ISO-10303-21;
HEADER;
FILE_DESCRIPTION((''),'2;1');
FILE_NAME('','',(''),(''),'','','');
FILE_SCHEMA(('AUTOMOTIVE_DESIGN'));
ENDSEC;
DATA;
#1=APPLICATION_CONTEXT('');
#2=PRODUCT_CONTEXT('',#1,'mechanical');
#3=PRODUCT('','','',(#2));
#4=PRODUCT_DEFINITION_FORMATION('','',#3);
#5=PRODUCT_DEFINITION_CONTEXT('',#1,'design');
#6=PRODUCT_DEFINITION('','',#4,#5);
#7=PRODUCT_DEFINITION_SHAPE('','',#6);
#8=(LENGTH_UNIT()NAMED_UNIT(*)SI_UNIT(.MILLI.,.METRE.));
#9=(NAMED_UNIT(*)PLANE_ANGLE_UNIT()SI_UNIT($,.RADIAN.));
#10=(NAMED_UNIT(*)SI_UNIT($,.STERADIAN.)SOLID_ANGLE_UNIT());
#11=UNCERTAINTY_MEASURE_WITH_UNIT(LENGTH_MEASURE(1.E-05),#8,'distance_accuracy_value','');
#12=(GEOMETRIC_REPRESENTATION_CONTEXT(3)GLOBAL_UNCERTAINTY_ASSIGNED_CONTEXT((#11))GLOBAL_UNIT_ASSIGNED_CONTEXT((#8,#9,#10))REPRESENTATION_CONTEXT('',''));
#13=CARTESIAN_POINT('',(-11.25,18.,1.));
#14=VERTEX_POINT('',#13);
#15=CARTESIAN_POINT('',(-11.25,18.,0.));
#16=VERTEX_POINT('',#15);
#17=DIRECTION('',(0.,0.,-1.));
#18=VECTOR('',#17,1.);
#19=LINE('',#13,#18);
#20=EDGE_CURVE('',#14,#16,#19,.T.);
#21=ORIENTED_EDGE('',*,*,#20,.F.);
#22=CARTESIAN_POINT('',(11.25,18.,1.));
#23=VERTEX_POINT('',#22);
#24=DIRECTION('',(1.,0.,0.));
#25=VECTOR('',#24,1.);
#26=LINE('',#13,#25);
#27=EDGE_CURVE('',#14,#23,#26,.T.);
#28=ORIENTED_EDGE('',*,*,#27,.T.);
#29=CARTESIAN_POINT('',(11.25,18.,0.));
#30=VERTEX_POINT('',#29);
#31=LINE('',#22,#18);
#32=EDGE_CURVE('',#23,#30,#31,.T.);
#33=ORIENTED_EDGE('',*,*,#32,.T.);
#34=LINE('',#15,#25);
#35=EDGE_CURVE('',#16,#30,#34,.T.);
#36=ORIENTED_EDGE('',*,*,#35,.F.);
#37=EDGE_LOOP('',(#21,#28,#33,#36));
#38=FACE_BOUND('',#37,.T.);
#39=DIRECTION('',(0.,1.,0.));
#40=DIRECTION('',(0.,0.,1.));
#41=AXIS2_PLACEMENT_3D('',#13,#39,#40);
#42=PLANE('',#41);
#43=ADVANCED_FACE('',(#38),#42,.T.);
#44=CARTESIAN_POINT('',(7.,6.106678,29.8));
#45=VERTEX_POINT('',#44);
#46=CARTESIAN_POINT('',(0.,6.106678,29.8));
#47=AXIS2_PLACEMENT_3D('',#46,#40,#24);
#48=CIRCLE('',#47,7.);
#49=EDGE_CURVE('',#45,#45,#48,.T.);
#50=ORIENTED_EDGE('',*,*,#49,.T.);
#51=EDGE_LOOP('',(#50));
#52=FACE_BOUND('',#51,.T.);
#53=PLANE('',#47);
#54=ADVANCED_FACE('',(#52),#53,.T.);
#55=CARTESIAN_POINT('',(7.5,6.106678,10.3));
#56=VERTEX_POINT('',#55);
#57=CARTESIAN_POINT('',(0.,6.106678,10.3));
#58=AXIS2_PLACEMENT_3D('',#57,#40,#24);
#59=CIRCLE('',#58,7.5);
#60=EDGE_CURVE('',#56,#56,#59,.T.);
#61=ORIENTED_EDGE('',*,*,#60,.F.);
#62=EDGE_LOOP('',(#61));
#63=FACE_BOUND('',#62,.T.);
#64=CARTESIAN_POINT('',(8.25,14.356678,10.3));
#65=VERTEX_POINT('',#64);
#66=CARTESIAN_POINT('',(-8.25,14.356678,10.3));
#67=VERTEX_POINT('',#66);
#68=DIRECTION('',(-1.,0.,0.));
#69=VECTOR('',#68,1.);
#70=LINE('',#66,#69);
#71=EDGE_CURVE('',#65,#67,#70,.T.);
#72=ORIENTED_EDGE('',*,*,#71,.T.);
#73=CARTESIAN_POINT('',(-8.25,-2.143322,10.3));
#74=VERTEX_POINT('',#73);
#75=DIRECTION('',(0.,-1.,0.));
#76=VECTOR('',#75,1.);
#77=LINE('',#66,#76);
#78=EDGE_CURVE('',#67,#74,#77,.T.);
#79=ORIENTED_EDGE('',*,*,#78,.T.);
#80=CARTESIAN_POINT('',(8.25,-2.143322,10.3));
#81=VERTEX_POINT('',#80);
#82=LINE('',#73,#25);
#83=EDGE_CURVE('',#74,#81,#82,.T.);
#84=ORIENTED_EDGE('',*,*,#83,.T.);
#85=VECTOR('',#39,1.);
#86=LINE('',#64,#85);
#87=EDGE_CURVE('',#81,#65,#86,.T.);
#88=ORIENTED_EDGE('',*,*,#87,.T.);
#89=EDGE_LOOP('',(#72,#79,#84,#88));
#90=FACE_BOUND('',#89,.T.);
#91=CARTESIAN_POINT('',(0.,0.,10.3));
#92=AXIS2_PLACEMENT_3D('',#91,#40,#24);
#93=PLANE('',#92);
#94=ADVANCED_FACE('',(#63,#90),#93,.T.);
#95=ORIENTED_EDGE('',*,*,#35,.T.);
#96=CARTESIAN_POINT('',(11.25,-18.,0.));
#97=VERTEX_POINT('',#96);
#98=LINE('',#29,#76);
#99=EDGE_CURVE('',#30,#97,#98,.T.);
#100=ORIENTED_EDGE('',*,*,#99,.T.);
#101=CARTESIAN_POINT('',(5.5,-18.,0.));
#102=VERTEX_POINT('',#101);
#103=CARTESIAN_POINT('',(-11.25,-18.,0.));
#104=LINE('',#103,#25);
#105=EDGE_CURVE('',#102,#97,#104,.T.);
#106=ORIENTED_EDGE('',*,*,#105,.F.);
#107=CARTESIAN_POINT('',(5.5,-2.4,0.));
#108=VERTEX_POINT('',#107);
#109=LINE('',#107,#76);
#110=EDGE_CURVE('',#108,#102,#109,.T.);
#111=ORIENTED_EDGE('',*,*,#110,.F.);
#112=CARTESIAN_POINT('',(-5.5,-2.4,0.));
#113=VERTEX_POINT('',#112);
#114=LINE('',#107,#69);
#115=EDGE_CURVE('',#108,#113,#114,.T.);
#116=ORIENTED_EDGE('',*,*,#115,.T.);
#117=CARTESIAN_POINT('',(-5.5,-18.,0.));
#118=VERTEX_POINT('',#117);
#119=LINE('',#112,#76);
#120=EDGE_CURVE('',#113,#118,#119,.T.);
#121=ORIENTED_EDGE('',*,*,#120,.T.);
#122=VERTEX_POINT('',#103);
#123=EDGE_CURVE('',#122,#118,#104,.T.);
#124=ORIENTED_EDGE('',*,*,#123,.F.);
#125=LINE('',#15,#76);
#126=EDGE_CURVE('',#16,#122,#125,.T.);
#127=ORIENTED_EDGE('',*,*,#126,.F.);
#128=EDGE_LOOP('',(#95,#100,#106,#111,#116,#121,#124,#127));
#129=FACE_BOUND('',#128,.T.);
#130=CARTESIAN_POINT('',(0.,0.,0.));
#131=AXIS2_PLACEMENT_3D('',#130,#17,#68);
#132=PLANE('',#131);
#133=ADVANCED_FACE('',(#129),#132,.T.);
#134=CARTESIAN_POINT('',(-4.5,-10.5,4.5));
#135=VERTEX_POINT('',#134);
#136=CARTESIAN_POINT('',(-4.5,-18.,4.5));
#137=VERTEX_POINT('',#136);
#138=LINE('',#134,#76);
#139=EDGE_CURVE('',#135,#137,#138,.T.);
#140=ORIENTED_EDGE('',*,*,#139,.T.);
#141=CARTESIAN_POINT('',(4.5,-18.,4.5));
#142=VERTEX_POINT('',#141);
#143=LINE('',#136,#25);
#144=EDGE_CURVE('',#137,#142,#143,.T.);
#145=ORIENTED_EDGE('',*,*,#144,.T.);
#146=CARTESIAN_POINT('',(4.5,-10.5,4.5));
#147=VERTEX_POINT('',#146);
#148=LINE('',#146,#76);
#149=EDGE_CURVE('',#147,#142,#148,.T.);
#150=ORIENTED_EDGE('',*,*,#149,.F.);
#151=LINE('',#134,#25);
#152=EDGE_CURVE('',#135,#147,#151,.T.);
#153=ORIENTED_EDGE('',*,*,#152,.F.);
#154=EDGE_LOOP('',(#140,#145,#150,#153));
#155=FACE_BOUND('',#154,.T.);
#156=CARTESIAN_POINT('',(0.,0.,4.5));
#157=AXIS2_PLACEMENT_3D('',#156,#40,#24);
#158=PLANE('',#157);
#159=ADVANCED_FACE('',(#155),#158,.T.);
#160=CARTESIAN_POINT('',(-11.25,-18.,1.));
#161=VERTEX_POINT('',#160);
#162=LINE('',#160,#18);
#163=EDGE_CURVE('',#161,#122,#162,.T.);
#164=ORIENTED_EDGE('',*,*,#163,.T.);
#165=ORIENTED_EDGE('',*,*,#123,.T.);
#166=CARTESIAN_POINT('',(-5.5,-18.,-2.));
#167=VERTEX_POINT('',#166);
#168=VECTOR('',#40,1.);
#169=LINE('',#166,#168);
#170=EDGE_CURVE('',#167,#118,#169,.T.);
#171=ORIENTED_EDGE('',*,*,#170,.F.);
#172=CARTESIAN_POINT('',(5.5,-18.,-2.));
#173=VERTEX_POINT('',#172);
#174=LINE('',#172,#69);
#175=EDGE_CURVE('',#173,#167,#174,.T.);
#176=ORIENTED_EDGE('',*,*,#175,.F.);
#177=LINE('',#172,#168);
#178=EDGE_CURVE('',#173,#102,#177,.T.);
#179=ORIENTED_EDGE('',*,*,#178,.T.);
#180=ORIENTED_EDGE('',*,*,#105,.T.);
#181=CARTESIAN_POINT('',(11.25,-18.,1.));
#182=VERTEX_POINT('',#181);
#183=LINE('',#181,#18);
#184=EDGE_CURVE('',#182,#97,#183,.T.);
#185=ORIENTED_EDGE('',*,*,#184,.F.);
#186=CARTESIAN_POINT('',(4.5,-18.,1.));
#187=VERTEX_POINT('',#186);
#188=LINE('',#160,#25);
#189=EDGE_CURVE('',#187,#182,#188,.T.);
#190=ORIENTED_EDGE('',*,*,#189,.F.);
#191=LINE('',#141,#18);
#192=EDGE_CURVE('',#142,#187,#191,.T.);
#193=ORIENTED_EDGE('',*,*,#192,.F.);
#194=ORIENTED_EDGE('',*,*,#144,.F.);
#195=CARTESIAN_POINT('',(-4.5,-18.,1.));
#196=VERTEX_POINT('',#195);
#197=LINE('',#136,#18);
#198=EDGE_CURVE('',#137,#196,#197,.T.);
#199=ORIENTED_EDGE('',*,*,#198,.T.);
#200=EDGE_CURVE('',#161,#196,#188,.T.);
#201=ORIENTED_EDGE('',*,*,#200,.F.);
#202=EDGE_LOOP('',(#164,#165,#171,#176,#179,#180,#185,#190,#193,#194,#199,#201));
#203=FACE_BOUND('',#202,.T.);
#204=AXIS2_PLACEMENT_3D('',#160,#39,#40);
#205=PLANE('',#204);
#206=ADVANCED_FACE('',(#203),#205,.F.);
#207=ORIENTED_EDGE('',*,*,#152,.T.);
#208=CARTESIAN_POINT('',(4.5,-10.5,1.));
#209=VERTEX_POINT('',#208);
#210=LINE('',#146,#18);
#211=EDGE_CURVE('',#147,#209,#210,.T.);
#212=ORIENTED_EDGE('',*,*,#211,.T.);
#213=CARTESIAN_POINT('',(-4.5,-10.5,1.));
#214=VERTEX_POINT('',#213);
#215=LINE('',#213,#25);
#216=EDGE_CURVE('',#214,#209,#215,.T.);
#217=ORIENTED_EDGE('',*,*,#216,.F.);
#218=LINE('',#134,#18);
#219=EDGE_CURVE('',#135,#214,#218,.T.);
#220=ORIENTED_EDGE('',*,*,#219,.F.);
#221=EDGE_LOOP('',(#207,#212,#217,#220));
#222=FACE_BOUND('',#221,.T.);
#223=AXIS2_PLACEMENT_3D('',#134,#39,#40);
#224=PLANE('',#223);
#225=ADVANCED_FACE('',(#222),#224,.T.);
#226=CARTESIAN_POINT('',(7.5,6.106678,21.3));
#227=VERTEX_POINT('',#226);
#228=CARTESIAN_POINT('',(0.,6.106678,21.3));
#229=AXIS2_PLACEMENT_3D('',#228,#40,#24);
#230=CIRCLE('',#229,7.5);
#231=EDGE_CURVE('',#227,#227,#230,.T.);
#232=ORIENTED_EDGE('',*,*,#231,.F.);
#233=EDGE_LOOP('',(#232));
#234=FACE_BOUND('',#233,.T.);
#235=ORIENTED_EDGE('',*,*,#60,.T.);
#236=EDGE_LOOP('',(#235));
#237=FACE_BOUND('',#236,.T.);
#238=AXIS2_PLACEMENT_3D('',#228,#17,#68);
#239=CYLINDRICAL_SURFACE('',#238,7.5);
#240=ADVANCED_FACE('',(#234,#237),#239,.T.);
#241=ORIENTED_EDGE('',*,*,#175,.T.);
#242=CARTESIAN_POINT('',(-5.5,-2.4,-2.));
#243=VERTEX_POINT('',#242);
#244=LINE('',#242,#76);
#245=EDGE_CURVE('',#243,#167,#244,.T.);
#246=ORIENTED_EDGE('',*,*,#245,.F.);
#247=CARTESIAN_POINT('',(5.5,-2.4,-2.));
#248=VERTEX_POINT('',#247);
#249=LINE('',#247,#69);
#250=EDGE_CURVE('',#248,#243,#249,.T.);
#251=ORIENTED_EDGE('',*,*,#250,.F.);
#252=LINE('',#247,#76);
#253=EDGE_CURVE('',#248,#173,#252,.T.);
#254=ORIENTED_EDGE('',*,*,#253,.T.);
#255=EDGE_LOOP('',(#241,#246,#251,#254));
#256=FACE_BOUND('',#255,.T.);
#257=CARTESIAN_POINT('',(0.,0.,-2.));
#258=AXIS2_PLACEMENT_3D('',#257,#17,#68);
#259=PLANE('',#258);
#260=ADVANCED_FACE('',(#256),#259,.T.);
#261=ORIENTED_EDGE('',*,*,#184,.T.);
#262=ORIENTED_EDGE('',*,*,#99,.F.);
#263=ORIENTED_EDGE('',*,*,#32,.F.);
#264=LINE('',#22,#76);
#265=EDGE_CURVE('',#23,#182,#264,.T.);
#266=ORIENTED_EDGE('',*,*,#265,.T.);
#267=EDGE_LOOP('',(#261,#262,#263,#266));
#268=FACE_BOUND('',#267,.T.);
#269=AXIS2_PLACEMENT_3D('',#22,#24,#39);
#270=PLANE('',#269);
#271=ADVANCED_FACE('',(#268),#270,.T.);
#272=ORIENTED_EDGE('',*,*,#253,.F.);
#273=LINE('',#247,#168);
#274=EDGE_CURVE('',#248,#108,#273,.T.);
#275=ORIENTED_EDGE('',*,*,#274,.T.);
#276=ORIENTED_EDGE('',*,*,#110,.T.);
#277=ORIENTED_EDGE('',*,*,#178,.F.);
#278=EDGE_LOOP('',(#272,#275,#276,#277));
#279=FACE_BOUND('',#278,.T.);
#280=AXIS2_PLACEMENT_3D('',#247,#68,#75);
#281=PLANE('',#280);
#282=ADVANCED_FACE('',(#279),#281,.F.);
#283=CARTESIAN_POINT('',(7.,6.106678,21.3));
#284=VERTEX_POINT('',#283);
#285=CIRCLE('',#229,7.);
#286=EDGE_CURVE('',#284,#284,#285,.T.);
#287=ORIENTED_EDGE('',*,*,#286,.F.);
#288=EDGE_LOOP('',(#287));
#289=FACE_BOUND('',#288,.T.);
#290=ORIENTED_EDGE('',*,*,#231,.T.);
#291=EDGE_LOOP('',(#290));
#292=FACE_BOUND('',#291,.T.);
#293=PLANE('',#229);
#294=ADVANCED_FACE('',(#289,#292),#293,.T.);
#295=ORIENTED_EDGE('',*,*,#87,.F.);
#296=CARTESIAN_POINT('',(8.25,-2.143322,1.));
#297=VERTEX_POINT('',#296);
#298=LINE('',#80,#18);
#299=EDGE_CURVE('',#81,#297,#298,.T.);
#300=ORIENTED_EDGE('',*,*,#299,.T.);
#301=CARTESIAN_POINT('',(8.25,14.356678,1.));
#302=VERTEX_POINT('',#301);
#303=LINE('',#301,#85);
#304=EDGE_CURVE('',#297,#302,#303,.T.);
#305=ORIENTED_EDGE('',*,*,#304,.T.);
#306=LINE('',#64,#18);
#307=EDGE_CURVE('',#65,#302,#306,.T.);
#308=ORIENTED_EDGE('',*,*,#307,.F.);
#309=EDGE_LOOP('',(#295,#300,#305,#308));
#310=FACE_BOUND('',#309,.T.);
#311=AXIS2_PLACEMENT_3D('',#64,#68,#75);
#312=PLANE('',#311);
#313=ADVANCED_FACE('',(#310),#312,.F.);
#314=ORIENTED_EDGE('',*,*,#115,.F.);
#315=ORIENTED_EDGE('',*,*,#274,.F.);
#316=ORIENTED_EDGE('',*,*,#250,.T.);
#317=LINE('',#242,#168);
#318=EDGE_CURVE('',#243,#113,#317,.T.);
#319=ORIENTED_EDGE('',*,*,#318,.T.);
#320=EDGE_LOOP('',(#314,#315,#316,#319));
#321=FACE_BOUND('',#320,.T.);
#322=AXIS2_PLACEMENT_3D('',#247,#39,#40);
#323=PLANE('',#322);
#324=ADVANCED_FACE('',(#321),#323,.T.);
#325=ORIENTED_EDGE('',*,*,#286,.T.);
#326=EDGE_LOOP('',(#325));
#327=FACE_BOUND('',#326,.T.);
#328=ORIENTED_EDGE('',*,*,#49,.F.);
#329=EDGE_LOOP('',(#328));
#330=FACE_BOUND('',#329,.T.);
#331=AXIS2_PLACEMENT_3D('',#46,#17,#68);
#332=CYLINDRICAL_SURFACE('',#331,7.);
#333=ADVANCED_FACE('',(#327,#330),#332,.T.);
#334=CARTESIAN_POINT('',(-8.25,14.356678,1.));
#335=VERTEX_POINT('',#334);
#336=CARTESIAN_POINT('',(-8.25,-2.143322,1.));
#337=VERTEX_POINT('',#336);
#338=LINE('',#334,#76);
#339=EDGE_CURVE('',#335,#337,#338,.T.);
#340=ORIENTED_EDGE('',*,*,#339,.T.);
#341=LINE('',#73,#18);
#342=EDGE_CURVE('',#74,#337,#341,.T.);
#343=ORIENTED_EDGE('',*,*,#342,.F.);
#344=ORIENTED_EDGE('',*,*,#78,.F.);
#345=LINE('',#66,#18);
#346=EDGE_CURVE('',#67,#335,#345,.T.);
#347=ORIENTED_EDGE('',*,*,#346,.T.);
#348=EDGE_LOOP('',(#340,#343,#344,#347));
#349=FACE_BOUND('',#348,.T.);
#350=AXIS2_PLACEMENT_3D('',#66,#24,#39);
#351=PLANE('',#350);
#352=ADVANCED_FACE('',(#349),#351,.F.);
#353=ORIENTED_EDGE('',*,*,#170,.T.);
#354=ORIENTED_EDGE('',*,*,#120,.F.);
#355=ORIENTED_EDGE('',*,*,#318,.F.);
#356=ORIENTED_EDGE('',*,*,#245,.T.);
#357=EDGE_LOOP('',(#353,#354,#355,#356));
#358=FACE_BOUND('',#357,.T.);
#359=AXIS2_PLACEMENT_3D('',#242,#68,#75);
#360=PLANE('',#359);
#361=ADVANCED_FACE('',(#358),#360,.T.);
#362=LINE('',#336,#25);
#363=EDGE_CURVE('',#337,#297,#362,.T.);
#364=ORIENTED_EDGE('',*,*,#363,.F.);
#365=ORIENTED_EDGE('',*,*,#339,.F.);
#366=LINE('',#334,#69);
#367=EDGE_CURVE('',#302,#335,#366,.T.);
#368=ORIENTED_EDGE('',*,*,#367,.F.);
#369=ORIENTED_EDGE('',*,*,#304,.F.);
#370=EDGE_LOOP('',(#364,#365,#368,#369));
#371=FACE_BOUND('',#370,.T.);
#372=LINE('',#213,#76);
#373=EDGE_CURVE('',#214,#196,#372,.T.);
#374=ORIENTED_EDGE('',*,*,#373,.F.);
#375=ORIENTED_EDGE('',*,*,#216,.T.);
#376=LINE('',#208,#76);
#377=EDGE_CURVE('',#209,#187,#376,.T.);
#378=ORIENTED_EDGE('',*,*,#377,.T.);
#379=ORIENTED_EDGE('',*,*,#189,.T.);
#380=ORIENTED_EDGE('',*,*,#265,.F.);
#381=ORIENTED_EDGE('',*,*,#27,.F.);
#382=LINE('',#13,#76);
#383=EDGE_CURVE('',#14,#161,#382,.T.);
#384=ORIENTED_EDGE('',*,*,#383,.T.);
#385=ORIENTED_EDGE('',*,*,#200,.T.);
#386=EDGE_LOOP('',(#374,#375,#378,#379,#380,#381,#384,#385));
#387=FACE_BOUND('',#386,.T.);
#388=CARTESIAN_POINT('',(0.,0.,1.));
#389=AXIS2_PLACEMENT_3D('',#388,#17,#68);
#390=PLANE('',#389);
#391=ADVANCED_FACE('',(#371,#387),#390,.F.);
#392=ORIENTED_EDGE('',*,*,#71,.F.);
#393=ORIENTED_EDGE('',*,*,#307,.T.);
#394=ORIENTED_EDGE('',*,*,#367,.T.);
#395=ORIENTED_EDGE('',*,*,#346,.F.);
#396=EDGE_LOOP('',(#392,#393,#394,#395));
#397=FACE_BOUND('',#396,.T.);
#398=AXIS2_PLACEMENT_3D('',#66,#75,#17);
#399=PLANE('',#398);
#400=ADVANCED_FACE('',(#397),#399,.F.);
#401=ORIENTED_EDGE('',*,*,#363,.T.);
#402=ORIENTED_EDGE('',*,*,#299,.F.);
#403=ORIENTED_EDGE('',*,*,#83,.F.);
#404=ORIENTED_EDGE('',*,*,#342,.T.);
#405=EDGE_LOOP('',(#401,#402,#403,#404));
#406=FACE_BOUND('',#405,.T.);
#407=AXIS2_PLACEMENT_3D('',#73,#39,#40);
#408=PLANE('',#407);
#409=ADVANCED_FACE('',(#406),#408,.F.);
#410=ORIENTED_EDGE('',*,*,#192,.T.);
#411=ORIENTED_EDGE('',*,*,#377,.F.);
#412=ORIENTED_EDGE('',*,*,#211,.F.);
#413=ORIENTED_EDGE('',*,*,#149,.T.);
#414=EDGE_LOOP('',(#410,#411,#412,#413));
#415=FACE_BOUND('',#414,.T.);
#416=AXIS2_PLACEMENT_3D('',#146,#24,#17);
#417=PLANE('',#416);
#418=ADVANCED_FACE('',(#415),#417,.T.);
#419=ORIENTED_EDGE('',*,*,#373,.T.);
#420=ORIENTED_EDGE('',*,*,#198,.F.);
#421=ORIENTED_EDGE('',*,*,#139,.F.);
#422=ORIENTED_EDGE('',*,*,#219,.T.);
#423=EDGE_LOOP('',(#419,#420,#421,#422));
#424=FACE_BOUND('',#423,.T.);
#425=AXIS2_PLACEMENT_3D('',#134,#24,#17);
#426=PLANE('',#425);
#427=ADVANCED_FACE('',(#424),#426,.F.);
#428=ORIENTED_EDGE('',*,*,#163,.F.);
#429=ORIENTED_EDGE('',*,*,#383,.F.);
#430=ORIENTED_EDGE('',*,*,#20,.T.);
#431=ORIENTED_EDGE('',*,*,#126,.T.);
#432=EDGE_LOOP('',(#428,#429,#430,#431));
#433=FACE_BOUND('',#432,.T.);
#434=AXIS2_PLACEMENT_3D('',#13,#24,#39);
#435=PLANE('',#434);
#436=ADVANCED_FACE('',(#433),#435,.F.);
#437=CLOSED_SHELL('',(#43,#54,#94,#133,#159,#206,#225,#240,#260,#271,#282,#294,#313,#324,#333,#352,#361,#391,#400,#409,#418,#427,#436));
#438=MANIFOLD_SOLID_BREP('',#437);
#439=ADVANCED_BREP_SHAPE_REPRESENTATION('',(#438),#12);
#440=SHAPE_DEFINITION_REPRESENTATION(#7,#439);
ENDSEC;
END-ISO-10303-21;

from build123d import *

# Parameters (mm, degrees)
SKETCH1_W           = 22.5
SKETCH1_H           = 36
BOSS_EXTRUDE1_DEPTH = 1
SKETCH2_W           = 16.5
SKETCH2_H           = 16.5
BOSS_EXTRUDE2_DEPTH = 9.3
SKETCH3_R           = 7.5
BOSS_EXTRUDE3_DEPTH = 11
SKETCH4_R           = 7
BOSS_EXTRUDE4_DEPTH = 8.5
SKETCH5_W           = 9
SKETCH5_H           = 7.5
BOSS_EXTRUDE5_DEPTH = 3.5
SKETCH7_W           = 11
SKETCH7_H           = 15.6
BOSS_EXTRUDE6_DEPTH = 2


with BuildPart() as part:
    # Sketch1 → Boss-Extrude1 (new body)
    with BuildSketch(Plane.XY):
        Rectangle(SKETCH1_W, SKETCH1_H)
    extrude(amount=BOSS_EXTRUDE1_DEPTH)

    # Sketch2 → Boss-Extrude2 (add)
    with BuildSketch(Plane.XY.offset(1)):
        with Locations((0, 6.106677741)):
            Rectangle(SKETCH2_W, SKETCH2_H)
    extrude(amount=BOSS_EXTRUDE2_DEPTH)

    # Sketch3 → Boss-Extrude3 (add)
    with BuildSketch(Plane.XY.offset(10.3)):
        with Locations((0, 6.106677741)):
            Circle(SKETCH3_R)
    extrude(amount=BOSS_EXTRUDE3_DEPTH)

    # Sketch4 → Boss-Extrude4 (add)
    with BuildSketch(Plane.XY.offset(21.3)):
        with Locations((0, 6.106677741)):
            Circle(SKETCH4_R)
    extrude(amount=BOSS_EXTRUDE4_DEPTH)

    # Sketch5 → Boss-Extrude5 (add)
    with BuildSketch(Plane.XY.offset(1)):
        with Locations((0, -14.25)):
            Rectangle(SKETCH5_W, SKETCH5_H)
    extrude(amount=BOSS_EXTRUDE5_DEPTH)

    # Sketch7 → Boss-Extrude6 (add)
    with BuildSketch(Plane(origin=(0, 0, 0), x_dir=(-1, 0, 0), z_dir=(0, 0, -1))):
        with Locations((0, -10.2)):
            Rectangle(SKETCH7_W, SKETCH7_H)
    extrude(amount=BOSS_EXTRUDE6_DEPTH)


solid = part.part
